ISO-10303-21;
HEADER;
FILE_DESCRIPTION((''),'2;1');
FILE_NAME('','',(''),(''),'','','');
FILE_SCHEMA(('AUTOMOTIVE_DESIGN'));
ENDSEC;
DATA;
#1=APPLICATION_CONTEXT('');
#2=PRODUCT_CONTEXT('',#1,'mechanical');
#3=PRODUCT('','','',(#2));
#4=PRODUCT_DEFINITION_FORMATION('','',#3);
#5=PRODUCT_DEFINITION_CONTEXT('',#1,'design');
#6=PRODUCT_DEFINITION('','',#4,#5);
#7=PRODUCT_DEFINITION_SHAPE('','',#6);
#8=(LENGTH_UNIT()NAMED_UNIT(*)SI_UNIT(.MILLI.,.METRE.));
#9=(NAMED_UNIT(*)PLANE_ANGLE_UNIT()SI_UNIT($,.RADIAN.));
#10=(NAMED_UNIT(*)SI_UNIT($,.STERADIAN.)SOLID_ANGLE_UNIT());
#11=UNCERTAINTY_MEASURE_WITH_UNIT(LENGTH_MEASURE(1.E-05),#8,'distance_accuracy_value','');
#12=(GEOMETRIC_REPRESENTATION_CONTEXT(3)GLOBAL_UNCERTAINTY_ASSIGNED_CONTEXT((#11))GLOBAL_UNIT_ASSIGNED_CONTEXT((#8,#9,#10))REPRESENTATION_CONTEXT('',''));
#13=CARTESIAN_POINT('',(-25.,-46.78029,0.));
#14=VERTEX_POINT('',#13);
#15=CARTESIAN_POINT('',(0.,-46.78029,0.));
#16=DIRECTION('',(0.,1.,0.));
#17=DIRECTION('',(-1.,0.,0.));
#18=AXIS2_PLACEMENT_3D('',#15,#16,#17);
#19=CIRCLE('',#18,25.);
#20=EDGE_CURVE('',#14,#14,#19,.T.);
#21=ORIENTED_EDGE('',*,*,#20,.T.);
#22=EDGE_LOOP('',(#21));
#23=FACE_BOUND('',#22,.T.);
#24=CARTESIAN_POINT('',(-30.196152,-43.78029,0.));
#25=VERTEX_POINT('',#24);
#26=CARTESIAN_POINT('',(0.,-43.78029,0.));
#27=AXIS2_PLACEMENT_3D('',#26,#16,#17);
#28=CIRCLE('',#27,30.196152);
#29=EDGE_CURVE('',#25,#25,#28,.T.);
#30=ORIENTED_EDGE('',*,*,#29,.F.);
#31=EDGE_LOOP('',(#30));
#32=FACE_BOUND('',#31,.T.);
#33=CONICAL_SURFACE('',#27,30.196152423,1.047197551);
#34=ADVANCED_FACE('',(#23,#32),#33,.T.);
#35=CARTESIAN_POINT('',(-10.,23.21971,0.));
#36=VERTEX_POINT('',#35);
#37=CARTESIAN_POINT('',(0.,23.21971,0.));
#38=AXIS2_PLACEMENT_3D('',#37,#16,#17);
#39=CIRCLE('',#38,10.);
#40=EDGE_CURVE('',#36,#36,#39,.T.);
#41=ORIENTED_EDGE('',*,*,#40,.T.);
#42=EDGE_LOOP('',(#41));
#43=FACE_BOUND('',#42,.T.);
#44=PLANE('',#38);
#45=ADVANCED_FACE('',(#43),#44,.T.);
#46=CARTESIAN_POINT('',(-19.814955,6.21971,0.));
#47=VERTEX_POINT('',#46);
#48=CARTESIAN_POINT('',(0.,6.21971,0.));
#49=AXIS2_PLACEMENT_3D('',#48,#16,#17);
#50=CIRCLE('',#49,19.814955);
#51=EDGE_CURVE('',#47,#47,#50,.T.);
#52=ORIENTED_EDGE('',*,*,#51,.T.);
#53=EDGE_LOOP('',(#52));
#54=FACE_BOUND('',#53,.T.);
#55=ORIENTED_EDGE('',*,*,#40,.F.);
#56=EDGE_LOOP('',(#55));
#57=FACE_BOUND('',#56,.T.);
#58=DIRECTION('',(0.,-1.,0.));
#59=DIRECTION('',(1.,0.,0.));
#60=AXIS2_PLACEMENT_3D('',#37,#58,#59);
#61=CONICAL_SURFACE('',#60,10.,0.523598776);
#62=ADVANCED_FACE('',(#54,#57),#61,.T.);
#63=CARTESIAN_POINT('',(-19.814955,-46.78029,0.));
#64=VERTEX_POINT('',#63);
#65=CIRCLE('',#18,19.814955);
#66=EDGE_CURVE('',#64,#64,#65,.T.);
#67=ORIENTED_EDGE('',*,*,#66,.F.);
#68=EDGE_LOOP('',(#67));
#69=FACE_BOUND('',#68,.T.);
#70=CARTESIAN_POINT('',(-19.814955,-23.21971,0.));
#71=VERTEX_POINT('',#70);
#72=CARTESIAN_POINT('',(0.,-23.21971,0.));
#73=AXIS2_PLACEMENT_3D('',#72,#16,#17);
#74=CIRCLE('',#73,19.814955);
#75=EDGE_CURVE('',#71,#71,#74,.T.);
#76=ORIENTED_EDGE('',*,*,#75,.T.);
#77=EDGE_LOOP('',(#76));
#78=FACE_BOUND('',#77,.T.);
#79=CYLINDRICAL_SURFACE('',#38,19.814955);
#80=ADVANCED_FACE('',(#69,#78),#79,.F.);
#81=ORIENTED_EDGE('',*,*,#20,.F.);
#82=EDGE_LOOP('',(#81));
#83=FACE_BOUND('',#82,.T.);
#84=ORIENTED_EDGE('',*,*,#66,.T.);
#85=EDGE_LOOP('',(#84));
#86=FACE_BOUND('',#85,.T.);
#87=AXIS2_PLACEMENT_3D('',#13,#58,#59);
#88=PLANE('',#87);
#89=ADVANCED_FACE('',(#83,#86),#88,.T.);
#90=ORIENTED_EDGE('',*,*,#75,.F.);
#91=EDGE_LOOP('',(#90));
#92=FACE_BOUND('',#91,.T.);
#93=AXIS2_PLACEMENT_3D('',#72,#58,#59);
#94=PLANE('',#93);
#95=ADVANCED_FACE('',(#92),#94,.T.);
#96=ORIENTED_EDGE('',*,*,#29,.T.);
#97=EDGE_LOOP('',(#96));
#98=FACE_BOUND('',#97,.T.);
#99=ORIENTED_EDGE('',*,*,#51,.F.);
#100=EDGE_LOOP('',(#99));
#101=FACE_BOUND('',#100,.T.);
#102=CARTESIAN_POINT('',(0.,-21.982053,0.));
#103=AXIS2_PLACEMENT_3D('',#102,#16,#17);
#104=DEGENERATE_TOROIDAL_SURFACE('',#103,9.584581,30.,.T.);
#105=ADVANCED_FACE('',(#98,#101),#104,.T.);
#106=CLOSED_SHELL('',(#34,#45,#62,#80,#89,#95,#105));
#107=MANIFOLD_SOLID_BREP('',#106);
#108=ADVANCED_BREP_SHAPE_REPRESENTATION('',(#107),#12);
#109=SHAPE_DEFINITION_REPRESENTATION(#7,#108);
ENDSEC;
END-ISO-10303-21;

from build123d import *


with BuildPart() as part:
    # 草图7 → 旋转5 (revolve)
    with BuildSketch(Plane.XY):
        with BuildLine():
            Line((0, 23.219710091), (0, -23.219710091))
            Line((0, -23.219710091), (-19.814954576, -23.219710091))
            Line((-19.814954576, -23.219710091), (-19.814954576, -46.780289909))
            Line((-19.814954576, -46.780289909), (-25, -46.780289909))
            Line((-25, -46.780289909), (-30.196152423, -43.780289909))
            ThreePointArc((-30.196152423, -43.780289909), (-38.958147203, -15.883397195), (-19.814954576, 6.219710091))
            Line((-19.814954576, 6.219710091), (-10, 23.219710091))
            Line((-10, 23.219710091), (0, 23.219710091))
        make_face()
    revolve(axis=Axis((0, 23.219710091, 0), (0, -1, 0)))


solid = part.part
